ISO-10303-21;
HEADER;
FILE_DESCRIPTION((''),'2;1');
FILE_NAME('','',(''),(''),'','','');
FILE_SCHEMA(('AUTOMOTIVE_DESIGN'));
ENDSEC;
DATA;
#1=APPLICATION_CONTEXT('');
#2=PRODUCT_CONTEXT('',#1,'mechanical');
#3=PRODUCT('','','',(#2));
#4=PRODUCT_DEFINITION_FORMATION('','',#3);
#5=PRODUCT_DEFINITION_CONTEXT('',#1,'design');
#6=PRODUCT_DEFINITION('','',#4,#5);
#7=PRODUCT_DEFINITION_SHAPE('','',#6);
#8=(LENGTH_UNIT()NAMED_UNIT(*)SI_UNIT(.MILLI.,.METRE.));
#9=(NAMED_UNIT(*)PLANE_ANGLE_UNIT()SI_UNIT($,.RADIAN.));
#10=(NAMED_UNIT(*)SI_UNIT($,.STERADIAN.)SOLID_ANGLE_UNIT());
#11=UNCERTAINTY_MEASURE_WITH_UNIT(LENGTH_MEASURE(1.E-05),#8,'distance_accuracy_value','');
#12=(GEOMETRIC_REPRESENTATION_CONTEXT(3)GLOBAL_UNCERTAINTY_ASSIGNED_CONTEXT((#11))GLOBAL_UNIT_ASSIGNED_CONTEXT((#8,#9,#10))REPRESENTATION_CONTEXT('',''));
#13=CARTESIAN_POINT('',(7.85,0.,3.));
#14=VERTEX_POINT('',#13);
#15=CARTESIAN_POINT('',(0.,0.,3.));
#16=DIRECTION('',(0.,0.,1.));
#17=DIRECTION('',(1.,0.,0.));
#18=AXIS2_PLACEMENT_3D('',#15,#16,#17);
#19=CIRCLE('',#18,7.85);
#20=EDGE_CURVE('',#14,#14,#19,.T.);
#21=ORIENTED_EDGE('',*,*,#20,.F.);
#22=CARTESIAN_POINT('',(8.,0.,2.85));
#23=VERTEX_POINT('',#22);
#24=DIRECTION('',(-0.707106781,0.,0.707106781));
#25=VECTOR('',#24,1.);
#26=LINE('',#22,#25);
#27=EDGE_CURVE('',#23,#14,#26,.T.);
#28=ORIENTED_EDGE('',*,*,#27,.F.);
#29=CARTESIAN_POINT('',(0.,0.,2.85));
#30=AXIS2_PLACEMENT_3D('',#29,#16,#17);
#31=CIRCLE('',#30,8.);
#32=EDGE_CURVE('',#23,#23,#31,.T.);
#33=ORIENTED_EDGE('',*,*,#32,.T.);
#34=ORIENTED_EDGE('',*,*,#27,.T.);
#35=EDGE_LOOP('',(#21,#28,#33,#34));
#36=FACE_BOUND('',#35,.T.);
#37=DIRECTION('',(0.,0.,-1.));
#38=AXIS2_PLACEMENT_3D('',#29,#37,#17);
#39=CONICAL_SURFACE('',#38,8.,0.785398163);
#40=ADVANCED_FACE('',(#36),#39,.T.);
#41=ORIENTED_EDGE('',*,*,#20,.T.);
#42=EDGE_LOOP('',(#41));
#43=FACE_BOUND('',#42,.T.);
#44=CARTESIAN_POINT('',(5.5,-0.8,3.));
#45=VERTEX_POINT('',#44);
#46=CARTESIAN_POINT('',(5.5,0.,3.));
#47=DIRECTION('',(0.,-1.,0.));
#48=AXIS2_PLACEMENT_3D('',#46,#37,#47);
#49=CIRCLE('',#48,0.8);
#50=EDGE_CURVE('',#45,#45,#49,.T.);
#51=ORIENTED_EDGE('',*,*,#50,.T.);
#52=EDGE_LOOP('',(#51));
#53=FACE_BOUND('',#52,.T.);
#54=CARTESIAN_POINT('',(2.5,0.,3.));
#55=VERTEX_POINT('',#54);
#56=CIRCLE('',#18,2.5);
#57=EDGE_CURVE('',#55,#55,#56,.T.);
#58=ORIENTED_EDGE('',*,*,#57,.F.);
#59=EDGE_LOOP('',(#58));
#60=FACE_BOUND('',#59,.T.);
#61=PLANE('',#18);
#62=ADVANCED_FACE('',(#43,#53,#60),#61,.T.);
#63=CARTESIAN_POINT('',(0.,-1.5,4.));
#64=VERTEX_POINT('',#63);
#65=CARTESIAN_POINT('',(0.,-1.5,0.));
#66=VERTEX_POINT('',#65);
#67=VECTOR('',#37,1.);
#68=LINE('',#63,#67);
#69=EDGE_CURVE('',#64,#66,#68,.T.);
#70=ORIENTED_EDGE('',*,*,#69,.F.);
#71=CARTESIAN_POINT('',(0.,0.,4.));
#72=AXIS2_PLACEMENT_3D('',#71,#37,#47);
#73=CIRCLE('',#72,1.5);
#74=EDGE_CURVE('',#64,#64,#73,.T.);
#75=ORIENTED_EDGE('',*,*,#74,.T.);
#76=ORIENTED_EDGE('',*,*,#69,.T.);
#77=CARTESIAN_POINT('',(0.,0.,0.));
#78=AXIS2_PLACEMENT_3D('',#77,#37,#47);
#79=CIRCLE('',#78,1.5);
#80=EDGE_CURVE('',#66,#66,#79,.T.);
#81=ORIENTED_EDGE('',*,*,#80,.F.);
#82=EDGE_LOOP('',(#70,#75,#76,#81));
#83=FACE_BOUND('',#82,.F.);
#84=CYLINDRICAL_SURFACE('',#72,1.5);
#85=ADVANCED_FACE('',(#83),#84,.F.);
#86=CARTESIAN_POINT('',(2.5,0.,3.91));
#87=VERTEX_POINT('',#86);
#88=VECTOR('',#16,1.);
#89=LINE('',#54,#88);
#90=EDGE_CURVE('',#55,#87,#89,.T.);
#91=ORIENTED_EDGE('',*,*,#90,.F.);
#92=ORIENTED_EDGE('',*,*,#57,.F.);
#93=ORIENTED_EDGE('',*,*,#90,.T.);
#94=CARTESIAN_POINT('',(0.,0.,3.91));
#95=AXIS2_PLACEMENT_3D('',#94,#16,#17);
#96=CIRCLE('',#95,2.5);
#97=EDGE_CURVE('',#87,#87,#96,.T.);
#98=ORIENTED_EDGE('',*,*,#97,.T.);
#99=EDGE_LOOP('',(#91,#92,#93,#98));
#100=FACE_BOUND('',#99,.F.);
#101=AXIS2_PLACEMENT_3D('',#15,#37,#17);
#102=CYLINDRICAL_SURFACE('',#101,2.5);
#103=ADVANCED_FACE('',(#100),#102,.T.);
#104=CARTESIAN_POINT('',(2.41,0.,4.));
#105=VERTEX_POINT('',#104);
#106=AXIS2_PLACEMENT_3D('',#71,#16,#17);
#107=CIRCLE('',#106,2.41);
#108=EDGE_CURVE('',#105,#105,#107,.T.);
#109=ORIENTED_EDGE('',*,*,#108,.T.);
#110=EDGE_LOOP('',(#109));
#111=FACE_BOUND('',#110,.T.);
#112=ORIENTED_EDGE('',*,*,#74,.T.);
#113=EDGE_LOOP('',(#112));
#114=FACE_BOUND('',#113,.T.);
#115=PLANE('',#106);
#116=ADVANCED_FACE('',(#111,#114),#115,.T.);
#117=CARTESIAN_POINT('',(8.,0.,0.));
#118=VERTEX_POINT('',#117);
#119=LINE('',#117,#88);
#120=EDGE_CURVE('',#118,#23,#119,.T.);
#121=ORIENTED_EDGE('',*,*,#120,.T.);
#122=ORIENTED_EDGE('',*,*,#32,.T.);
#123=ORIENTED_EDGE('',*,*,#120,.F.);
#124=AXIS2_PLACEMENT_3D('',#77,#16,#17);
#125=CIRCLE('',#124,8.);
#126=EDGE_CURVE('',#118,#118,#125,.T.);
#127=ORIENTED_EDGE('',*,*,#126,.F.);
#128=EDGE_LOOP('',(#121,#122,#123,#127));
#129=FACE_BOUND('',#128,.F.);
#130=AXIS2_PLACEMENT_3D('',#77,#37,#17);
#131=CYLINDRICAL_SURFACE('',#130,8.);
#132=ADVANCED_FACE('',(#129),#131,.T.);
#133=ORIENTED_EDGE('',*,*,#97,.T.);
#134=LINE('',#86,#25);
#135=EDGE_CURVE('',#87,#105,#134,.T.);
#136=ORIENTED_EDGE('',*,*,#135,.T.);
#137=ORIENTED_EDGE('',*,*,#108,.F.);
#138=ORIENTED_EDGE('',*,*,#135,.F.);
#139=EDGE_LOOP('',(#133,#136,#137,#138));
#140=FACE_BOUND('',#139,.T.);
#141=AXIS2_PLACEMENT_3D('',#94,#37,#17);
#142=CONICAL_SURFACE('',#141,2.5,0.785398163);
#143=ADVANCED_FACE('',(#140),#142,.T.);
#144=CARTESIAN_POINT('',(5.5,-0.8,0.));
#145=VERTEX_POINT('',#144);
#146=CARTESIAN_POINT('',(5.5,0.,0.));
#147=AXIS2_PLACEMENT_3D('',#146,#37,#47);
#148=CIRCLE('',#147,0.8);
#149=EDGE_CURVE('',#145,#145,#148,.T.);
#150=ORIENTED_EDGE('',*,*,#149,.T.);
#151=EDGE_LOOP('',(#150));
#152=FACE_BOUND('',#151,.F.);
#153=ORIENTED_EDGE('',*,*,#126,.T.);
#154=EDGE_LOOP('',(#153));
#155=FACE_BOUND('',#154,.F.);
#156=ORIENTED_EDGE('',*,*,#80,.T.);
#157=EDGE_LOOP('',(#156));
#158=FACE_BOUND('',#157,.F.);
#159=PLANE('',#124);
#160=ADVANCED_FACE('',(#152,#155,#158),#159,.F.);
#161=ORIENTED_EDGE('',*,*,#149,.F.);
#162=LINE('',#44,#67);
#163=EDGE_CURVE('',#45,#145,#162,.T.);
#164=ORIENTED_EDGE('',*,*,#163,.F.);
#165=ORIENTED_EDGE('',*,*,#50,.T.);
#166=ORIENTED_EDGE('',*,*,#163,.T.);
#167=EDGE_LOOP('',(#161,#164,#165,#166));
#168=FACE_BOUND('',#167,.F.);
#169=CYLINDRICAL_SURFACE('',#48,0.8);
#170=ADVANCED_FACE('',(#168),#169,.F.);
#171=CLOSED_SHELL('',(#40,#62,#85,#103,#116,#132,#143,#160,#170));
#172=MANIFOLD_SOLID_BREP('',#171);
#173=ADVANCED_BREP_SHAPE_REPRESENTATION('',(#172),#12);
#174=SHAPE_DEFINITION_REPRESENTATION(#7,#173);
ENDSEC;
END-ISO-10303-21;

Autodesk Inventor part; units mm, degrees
ref_plane "YZ Plane" through (0, 0, 0) normal (1, 0, 0) x (0, 1, 0)
ref_plane "XZ Plane" through (0, 0, 0) normal (0, 1, 0) x (-1, 0, 0)
ref_plane "XY Plane" through (0, 0, 0) normal (0, 0, 1) x (1, 0, 0)
sketch "Skizze1" plane through (0, 0, 0) normal (0, 0, 1) x (1, 0, 0)
  circle A0 centre (0, 0) radius 8
  dimension "d0" = 16
extrude "Extrusion1" add sketch "Skizze1" along normal blind 3
sketch "Skizze2" plane through (0, 0, 3) normal (0, 0, 1) x (1, 0, 0)
  circle A0 centre (0, 0) radius 2.5
  dimension "d3" = 5
extrude "Extrusion2" add sketch "Skizze2" along normal blind 1
sketch "Skizze3" plane through (0, 0, 4) normal (0, 0, 1) x (1, 0, 0)
  circle A0 centre (0, 0) radius 2.5 projected
hole "Bohrung1" at (0, 0, 4) direction (0, 0, -1) diameter 3 depth 4
sketch "Skizze4" plane through (0, 0, 3) normal (0, 0, 1) x (1, 0, 0)
  point P0 (0, 0)
  point P1 (5.5, 0)
  dimension "d20" = 5.5
hole "Bohrung2" at (5.5, 0, 3) direction (0, 0, -1) diameter 1.6 end through all
chamfer "Fasen1" distance 0.15 angle 45 1 edges at (-8, 0, 3)
chamfer "Fasen2" distance 0.09 angle 45 1 edges at (-2.5, 0, 4)
properties part number "Kurbel" material "Gold"
